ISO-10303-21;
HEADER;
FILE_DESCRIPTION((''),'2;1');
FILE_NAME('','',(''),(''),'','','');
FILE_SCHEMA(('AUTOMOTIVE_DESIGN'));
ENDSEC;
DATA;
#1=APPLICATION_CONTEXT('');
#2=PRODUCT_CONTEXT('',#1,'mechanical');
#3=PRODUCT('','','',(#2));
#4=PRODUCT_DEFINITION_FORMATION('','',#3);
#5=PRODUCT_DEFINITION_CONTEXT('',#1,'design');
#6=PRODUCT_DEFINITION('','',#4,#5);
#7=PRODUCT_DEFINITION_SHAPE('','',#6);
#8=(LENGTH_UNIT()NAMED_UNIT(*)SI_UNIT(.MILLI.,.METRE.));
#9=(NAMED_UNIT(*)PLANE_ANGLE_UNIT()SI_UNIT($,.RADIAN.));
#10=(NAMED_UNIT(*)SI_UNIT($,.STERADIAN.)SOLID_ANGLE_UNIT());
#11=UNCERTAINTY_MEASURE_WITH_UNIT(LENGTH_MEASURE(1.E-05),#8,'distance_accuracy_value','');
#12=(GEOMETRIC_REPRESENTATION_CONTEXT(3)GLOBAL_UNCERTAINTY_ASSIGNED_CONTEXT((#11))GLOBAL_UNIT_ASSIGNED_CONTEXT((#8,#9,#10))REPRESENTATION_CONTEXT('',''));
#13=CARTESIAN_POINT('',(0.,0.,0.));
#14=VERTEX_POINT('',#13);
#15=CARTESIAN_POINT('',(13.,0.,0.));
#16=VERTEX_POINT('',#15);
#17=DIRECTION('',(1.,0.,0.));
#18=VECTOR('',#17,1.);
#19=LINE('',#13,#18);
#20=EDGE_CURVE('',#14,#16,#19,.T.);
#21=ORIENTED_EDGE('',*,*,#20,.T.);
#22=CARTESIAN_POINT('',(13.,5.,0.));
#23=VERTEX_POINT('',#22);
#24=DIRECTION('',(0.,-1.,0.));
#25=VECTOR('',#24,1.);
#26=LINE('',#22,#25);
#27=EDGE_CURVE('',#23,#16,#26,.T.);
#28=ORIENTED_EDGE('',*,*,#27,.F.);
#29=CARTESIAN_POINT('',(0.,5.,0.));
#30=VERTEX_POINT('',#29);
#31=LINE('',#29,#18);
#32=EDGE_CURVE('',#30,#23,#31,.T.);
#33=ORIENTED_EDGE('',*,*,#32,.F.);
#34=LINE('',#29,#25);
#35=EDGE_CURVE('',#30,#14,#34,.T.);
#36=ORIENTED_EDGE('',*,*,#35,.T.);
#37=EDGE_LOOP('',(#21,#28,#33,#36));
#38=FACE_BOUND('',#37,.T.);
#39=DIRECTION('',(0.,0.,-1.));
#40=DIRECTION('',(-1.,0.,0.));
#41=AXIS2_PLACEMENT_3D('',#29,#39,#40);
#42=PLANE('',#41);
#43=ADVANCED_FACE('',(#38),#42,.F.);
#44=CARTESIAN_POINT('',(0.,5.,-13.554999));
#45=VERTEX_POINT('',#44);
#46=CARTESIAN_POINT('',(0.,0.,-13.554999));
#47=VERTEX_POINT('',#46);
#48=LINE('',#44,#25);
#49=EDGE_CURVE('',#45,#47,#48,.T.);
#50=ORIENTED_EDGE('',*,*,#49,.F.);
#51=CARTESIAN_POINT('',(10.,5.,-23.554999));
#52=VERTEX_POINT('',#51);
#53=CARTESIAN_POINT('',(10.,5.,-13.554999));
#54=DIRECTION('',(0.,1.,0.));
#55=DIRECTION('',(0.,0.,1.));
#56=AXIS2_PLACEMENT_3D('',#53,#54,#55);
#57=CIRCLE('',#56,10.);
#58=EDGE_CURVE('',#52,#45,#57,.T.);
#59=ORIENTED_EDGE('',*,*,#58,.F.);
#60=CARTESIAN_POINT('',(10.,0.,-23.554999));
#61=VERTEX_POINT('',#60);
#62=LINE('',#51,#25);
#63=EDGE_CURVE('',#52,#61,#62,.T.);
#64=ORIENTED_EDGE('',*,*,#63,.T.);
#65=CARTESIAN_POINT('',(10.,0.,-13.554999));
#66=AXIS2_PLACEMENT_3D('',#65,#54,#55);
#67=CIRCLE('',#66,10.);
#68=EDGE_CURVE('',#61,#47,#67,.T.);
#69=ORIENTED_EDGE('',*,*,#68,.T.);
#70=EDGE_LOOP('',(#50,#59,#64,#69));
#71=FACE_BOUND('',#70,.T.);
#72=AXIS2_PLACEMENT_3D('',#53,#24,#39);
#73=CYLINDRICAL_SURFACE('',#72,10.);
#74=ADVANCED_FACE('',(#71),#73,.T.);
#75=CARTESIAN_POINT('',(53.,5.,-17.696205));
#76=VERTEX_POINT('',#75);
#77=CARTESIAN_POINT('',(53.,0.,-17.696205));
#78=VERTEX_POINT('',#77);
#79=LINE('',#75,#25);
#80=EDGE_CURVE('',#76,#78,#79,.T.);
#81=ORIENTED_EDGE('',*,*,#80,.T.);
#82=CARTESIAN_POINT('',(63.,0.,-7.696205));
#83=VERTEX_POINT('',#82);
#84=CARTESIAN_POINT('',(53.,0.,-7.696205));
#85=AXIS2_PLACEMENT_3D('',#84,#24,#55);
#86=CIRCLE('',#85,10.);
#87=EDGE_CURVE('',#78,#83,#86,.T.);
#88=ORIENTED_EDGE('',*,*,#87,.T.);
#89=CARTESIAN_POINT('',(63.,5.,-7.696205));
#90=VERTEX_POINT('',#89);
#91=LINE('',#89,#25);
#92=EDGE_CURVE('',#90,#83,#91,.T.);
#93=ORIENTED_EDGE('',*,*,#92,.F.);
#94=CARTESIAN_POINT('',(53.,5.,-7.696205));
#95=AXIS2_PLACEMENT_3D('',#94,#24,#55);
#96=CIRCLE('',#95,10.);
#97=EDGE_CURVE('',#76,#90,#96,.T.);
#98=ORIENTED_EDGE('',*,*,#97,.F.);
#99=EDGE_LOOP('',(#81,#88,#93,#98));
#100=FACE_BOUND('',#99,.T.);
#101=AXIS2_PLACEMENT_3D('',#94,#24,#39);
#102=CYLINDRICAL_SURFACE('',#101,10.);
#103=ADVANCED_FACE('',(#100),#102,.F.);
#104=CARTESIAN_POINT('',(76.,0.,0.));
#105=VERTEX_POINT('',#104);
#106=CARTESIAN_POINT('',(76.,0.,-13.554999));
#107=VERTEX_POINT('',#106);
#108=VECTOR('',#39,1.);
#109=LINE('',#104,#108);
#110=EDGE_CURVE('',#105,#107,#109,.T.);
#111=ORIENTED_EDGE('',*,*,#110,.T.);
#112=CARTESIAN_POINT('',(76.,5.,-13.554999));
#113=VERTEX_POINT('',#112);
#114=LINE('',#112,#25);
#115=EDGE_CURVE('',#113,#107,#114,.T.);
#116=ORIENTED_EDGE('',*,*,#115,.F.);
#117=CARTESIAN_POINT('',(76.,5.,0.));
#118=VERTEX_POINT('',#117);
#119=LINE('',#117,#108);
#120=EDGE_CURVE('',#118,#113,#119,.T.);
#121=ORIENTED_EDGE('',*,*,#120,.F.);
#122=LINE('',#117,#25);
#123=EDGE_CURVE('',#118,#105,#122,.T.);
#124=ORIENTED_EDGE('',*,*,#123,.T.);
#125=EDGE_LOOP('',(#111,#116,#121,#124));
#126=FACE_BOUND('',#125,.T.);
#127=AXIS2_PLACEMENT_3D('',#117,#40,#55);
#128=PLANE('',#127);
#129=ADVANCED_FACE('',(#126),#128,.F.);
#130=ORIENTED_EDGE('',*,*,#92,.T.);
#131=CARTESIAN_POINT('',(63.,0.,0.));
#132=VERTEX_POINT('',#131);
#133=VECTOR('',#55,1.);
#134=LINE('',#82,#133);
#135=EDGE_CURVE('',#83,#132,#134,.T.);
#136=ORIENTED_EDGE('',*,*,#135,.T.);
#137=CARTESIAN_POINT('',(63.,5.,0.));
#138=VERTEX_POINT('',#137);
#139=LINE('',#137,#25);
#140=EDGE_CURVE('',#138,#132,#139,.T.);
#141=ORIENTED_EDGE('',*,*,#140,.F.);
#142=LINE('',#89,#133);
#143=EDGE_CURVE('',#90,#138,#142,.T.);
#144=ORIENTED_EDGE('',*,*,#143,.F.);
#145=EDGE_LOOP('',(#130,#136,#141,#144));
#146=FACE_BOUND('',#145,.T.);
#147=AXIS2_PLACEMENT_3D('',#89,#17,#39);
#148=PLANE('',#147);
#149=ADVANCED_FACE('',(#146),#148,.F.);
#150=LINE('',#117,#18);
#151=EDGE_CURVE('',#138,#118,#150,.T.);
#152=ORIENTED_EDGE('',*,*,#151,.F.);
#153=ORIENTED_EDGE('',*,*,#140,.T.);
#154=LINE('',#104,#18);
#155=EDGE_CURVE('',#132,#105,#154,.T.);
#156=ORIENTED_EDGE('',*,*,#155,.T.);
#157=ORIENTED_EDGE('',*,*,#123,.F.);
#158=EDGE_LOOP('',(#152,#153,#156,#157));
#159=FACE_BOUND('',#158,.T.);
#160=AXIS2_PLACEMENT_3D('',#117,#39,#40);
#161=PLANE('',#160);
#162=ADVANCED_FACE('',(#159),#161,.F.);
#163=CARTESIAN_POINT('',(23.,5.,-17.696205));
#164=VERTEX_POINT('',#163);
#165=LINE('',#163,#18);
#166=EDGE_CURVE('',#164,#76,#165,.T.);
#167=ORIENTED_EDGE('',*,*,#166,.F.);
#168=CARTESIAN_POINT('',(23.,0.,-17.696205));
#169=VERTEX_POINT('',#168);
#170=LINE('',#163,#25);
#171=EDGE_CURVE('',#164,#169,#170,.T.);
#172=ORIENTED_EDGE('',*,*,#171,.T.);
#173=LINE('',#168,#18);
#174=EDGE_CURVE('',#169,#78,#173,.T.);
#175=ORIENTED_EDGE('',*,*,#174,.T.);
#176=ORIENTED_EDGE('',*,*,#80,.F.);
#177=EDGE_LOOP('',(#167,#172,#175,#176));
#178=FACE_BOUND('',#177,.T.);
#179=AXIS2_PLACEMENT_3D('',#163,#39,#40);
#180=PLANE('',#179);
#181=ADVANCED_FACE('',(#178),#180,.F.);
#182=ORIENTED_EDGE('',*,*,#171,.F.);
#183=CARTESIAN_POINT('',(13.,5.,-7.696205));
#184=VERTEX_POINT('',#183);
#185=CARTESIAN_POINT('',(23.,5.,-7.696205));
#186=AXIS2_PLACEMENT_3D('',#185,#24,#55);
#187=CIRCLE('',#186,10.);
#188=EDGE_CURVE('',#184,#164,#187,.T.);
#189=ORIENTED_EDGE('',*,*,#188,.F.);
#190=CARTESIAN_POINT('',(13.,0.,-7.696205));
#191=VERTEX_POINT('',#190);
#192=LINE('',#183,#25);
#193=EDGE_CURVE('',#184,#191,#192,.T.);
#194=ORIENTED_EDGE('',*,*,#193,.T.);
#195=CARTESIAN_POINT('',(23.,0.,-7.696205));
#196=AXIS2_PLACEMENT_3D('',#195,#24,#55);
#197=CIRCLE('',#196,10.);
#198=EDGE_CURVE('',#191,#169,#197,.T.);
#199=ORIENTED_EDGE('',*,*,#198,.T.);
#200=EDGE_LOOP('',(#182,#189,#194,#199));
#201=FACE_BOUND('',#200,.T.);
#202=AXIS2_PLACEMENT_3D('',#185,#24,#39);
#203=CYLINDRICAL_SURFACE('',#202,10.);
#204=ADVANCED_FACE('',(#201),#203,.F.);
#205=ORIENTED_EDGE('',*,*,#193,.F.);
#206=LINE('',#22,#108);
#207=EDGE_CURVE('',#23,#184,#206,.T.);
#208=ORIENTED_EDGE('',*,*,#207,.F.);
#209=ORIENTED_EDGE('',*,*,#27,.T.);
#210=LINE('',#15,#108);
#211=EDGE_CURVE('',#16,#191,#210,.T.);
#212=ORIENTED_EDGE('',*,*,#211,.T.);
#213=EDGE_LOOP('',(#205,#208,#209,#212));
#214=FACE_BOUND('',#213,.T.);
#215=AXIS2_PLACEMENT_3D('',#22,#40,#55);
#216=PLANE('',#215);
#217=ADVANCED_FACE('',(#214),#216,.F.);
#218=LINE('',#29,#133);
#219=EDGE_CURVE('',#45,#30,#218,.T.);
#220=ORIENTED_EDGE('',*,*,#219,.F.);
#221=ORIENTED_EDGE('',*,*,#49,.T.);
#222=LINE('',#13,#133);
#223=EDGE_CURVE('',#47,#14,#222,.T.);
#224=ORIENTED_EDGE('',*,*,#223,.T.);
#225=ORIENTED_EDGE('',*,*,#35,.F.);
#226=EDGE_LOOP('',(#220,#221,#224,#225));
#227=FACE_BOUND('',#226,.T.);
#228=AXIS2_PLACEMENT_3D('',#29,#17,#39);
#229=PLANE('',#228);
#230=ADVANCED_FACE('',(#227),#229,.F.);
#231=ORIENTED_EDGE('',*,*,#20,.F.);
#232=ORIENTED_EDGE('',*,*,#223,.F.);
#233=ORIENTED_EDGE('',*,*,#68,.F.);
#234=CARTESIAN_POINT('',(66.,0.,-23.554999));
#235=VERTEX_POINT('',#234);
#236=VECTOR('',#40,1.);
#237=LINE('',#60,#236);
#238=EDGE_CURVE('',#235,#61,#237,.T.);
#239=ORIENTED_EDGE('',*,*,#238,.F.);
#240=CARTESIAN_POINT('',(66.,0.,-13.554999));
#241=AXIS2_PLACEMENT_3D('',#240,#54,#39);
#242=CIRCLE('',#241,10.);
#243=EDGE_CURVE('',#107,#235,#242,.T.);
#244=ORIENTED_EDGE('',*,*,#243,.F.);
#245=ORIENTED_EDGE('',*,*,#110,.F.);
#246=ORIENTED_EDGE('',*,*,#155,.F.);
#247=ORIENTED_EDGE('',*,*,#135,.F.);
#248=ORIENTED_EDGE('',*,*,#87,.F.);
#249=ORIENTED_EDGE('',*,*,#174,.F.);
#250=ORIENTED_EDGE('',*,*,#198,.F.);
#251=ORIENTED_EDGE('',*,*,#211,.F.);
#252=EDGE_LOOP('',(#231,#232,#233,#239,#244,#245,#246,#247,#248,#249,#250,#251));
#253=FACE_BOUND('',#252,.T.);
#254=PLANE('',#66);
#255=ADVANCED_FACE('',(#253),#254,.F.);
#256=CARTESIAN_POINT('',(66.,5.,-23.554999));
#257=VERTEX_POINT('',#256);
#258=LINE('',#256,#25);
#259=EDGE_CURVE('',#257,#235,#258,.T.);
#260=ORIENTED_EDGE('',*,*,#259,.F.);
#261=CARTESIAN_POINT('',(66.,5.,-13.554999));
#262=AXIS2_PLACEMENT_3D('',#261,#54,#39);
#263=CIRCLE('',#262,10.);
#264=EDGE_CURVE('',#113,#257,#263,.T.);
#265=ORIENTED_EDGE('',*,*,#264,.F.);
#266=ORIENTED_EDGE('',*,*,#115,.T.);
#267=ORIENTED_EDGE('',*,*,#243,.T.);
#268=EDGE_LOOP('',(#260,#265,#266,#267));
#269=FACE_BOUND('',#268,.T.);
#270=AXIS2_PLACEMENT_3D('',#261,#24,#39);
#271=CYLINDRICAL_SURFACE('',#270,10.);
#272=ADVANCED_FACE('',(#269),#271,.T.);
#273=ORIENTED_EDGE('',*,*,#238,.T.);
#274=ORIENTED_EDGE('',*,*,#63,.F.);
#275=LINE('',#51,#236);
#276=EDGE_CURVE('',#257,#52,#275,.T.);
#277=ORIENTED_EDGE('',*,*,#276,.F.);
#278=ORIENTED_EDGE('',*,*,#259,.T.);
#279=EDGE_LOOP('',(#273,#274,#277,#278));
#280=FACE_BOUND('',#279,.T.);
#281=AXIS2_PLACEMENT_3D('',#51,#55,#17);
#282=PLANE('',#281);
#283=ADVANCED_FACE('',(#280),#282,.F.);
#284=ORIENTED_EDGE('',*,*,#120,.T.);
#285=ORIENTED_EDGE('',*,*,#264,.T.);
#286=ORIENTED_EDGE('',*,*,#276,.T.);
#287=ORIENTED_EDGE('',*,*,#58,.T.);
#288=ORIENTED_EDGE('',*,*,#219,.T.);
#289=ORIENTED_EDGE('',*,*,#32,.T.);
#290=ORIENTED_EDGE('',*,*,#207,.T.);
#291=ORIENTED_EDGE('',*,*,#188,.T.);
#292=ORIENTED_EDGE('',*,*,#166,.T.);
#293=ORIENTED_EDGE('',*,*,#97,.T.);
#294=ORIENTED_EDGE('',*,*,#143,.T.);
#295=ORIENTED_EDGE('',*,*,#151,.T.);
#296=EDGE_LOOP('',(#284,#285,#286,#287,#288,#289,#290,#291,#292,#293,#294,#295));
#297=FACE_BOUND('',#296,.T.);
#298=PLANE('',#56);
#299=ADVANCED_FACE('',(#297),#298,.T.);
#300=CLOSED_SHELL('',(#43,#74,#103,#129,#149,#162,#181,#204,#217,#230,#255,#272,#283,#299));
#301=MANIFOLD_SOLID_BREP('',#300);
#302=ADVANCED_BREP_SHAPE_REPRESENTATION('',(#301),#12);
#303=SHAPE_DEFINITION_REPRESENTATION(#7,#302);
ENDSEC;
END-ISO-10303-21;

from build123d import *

# Parameters (mm, degrees)
SALIENTE_EXTRUIR2_DEPTH = 5


with BuildPart() as part:
    # Croquis1 → Saliente-Extruir2 (new body)
    with BuildSketch(Plane(origin=(0, 0, 0), x_dir=(1, 0, 0), z_dir=(0, 1, 0))):
        with BuildLine():
            Line((0, 0), (13, 0))
            Line((13, 0), (13, 7.6962052))
            ThreePointArc((13, 7.6962052), (15.928932188, 14.767273012), (23, 17.6962052))
            Line((23, 17.6962052), (53, 17.6962052))
            ThreePointArc((53, 17.6962052), (60.071067812, 14.767273012), (63, 7.6962052))
            Line((63, 7.6962052), (63, 0))
            Line((63, 0), (76, 0))
            Line((76, 0), (76, 13.554999328))
            ThreePointArc((76, 13.554999328), (73.071067812, 20.62606714), (66, 23.554999328))
            Line((66, 23.554999328), (10, 23.554999328))
            ThreePointArc((10, 23.554999328), (2.928932188, 20.62606714), (0, 13.554999328))
            Line((0, 13.554999328), (0, 0))
        make_face()
    extrude(amount=SALIENTE_EXTRUIR2_DEPTH)


solid = part.part
